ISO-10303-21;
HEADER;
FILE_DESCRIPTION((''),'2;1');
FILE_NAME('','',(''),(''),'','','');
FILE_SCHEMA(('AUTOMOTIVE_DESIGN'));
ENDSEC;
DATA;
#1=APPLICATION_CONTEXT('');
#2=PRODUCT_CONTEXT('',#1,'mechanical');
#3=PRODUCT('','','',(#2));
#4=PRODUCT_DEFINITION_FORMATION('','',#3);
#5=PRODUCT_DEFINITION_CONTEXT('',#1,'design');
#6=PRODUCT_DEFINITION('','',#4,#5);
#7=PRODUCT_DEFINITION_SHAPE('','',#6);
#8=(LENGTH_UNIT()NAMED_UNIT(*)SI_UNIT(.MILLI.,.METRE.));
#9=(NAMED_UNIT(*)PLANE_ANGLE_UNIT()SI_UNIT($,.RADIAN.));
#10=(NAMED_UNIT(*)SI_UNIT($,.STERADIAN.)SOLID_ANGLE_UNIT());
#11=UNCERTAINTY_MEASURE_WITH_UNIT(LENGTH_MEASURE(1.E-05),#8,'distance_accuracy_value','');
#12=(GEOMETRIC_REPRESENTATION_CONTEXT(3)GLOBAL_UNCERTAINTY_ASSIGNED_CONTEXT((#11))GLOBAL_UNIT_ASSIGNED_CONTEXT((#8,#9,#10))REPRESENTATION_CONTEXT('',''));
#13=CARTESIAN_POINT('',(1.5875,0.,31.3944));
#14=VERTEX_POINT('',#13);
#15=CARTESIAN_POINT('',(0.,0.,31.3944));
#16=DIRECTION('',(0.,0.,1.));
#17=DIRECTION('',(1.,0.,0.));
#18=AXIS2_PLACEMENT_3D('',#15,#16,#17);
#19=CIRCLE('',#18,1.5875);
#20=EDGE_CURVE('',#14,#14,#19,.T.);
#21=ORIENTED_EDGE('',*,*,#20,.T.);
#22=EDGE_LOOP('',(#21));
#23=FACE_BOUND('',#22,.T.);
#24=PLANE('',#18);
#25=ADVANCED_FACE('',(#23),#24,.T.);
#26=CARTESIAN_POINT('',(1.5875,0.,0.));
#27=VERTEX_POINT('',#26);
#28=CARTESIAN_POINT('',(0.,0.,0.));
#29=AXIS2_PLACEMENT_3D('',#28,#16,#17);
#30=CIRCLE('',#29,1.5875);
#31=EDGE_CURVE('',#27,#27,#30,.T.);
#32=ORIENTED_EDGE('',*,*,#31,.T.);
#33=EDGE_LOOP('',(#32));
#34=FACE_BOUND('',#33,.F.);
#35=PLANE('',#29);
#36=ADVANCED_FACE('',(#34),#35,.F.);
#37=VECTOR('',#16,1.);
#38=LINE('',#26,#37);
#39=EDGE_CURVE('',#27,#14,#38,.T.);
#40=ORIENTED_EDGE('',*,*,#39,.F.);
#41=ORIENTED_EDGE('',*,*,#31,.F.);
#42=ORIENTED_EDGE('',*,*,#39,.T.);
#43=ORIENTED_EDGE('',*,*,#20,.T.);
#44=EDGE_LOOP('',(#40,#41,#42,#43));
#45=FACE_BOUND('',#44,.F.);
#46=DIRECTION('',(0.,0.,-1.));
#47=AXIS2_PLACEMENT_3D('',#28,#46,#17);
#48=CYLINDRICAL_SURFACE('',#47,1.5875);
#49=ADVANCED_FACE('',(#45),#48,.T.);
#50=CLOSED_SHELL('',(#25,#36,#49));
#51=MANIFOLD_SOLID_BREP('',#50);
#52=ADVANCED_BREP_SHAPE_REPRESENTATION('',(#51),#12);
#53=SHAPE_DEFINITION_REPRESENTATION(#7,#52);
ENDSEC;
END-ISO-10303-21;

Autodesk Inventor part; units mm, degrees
ref_plane "YZ Plane" through (0, 0, 0) normal (1, 0, 0) x (0, 1, 0)
ref_plane "XZ Plane" through (0, 0, 0) normal (0, 1, 0) x (-1, 0, 0)
ref_plane "XY Plane" through (0, 0, 0) normal (0, 0, 1) x (1, 0, 0)
sketch "Sketch1" plane through (0, 0, 0) normal (0, 0, 1) x (1, 0, 0)
  circle A0 centre (0, 0) radius 1.5875
  dimension "d0" = 3.175
extrude "Extrusion1" add sketch "Sketch1" along normal blind 31.3944
properties part number "idlerShaft" material "Stainless Steel"
